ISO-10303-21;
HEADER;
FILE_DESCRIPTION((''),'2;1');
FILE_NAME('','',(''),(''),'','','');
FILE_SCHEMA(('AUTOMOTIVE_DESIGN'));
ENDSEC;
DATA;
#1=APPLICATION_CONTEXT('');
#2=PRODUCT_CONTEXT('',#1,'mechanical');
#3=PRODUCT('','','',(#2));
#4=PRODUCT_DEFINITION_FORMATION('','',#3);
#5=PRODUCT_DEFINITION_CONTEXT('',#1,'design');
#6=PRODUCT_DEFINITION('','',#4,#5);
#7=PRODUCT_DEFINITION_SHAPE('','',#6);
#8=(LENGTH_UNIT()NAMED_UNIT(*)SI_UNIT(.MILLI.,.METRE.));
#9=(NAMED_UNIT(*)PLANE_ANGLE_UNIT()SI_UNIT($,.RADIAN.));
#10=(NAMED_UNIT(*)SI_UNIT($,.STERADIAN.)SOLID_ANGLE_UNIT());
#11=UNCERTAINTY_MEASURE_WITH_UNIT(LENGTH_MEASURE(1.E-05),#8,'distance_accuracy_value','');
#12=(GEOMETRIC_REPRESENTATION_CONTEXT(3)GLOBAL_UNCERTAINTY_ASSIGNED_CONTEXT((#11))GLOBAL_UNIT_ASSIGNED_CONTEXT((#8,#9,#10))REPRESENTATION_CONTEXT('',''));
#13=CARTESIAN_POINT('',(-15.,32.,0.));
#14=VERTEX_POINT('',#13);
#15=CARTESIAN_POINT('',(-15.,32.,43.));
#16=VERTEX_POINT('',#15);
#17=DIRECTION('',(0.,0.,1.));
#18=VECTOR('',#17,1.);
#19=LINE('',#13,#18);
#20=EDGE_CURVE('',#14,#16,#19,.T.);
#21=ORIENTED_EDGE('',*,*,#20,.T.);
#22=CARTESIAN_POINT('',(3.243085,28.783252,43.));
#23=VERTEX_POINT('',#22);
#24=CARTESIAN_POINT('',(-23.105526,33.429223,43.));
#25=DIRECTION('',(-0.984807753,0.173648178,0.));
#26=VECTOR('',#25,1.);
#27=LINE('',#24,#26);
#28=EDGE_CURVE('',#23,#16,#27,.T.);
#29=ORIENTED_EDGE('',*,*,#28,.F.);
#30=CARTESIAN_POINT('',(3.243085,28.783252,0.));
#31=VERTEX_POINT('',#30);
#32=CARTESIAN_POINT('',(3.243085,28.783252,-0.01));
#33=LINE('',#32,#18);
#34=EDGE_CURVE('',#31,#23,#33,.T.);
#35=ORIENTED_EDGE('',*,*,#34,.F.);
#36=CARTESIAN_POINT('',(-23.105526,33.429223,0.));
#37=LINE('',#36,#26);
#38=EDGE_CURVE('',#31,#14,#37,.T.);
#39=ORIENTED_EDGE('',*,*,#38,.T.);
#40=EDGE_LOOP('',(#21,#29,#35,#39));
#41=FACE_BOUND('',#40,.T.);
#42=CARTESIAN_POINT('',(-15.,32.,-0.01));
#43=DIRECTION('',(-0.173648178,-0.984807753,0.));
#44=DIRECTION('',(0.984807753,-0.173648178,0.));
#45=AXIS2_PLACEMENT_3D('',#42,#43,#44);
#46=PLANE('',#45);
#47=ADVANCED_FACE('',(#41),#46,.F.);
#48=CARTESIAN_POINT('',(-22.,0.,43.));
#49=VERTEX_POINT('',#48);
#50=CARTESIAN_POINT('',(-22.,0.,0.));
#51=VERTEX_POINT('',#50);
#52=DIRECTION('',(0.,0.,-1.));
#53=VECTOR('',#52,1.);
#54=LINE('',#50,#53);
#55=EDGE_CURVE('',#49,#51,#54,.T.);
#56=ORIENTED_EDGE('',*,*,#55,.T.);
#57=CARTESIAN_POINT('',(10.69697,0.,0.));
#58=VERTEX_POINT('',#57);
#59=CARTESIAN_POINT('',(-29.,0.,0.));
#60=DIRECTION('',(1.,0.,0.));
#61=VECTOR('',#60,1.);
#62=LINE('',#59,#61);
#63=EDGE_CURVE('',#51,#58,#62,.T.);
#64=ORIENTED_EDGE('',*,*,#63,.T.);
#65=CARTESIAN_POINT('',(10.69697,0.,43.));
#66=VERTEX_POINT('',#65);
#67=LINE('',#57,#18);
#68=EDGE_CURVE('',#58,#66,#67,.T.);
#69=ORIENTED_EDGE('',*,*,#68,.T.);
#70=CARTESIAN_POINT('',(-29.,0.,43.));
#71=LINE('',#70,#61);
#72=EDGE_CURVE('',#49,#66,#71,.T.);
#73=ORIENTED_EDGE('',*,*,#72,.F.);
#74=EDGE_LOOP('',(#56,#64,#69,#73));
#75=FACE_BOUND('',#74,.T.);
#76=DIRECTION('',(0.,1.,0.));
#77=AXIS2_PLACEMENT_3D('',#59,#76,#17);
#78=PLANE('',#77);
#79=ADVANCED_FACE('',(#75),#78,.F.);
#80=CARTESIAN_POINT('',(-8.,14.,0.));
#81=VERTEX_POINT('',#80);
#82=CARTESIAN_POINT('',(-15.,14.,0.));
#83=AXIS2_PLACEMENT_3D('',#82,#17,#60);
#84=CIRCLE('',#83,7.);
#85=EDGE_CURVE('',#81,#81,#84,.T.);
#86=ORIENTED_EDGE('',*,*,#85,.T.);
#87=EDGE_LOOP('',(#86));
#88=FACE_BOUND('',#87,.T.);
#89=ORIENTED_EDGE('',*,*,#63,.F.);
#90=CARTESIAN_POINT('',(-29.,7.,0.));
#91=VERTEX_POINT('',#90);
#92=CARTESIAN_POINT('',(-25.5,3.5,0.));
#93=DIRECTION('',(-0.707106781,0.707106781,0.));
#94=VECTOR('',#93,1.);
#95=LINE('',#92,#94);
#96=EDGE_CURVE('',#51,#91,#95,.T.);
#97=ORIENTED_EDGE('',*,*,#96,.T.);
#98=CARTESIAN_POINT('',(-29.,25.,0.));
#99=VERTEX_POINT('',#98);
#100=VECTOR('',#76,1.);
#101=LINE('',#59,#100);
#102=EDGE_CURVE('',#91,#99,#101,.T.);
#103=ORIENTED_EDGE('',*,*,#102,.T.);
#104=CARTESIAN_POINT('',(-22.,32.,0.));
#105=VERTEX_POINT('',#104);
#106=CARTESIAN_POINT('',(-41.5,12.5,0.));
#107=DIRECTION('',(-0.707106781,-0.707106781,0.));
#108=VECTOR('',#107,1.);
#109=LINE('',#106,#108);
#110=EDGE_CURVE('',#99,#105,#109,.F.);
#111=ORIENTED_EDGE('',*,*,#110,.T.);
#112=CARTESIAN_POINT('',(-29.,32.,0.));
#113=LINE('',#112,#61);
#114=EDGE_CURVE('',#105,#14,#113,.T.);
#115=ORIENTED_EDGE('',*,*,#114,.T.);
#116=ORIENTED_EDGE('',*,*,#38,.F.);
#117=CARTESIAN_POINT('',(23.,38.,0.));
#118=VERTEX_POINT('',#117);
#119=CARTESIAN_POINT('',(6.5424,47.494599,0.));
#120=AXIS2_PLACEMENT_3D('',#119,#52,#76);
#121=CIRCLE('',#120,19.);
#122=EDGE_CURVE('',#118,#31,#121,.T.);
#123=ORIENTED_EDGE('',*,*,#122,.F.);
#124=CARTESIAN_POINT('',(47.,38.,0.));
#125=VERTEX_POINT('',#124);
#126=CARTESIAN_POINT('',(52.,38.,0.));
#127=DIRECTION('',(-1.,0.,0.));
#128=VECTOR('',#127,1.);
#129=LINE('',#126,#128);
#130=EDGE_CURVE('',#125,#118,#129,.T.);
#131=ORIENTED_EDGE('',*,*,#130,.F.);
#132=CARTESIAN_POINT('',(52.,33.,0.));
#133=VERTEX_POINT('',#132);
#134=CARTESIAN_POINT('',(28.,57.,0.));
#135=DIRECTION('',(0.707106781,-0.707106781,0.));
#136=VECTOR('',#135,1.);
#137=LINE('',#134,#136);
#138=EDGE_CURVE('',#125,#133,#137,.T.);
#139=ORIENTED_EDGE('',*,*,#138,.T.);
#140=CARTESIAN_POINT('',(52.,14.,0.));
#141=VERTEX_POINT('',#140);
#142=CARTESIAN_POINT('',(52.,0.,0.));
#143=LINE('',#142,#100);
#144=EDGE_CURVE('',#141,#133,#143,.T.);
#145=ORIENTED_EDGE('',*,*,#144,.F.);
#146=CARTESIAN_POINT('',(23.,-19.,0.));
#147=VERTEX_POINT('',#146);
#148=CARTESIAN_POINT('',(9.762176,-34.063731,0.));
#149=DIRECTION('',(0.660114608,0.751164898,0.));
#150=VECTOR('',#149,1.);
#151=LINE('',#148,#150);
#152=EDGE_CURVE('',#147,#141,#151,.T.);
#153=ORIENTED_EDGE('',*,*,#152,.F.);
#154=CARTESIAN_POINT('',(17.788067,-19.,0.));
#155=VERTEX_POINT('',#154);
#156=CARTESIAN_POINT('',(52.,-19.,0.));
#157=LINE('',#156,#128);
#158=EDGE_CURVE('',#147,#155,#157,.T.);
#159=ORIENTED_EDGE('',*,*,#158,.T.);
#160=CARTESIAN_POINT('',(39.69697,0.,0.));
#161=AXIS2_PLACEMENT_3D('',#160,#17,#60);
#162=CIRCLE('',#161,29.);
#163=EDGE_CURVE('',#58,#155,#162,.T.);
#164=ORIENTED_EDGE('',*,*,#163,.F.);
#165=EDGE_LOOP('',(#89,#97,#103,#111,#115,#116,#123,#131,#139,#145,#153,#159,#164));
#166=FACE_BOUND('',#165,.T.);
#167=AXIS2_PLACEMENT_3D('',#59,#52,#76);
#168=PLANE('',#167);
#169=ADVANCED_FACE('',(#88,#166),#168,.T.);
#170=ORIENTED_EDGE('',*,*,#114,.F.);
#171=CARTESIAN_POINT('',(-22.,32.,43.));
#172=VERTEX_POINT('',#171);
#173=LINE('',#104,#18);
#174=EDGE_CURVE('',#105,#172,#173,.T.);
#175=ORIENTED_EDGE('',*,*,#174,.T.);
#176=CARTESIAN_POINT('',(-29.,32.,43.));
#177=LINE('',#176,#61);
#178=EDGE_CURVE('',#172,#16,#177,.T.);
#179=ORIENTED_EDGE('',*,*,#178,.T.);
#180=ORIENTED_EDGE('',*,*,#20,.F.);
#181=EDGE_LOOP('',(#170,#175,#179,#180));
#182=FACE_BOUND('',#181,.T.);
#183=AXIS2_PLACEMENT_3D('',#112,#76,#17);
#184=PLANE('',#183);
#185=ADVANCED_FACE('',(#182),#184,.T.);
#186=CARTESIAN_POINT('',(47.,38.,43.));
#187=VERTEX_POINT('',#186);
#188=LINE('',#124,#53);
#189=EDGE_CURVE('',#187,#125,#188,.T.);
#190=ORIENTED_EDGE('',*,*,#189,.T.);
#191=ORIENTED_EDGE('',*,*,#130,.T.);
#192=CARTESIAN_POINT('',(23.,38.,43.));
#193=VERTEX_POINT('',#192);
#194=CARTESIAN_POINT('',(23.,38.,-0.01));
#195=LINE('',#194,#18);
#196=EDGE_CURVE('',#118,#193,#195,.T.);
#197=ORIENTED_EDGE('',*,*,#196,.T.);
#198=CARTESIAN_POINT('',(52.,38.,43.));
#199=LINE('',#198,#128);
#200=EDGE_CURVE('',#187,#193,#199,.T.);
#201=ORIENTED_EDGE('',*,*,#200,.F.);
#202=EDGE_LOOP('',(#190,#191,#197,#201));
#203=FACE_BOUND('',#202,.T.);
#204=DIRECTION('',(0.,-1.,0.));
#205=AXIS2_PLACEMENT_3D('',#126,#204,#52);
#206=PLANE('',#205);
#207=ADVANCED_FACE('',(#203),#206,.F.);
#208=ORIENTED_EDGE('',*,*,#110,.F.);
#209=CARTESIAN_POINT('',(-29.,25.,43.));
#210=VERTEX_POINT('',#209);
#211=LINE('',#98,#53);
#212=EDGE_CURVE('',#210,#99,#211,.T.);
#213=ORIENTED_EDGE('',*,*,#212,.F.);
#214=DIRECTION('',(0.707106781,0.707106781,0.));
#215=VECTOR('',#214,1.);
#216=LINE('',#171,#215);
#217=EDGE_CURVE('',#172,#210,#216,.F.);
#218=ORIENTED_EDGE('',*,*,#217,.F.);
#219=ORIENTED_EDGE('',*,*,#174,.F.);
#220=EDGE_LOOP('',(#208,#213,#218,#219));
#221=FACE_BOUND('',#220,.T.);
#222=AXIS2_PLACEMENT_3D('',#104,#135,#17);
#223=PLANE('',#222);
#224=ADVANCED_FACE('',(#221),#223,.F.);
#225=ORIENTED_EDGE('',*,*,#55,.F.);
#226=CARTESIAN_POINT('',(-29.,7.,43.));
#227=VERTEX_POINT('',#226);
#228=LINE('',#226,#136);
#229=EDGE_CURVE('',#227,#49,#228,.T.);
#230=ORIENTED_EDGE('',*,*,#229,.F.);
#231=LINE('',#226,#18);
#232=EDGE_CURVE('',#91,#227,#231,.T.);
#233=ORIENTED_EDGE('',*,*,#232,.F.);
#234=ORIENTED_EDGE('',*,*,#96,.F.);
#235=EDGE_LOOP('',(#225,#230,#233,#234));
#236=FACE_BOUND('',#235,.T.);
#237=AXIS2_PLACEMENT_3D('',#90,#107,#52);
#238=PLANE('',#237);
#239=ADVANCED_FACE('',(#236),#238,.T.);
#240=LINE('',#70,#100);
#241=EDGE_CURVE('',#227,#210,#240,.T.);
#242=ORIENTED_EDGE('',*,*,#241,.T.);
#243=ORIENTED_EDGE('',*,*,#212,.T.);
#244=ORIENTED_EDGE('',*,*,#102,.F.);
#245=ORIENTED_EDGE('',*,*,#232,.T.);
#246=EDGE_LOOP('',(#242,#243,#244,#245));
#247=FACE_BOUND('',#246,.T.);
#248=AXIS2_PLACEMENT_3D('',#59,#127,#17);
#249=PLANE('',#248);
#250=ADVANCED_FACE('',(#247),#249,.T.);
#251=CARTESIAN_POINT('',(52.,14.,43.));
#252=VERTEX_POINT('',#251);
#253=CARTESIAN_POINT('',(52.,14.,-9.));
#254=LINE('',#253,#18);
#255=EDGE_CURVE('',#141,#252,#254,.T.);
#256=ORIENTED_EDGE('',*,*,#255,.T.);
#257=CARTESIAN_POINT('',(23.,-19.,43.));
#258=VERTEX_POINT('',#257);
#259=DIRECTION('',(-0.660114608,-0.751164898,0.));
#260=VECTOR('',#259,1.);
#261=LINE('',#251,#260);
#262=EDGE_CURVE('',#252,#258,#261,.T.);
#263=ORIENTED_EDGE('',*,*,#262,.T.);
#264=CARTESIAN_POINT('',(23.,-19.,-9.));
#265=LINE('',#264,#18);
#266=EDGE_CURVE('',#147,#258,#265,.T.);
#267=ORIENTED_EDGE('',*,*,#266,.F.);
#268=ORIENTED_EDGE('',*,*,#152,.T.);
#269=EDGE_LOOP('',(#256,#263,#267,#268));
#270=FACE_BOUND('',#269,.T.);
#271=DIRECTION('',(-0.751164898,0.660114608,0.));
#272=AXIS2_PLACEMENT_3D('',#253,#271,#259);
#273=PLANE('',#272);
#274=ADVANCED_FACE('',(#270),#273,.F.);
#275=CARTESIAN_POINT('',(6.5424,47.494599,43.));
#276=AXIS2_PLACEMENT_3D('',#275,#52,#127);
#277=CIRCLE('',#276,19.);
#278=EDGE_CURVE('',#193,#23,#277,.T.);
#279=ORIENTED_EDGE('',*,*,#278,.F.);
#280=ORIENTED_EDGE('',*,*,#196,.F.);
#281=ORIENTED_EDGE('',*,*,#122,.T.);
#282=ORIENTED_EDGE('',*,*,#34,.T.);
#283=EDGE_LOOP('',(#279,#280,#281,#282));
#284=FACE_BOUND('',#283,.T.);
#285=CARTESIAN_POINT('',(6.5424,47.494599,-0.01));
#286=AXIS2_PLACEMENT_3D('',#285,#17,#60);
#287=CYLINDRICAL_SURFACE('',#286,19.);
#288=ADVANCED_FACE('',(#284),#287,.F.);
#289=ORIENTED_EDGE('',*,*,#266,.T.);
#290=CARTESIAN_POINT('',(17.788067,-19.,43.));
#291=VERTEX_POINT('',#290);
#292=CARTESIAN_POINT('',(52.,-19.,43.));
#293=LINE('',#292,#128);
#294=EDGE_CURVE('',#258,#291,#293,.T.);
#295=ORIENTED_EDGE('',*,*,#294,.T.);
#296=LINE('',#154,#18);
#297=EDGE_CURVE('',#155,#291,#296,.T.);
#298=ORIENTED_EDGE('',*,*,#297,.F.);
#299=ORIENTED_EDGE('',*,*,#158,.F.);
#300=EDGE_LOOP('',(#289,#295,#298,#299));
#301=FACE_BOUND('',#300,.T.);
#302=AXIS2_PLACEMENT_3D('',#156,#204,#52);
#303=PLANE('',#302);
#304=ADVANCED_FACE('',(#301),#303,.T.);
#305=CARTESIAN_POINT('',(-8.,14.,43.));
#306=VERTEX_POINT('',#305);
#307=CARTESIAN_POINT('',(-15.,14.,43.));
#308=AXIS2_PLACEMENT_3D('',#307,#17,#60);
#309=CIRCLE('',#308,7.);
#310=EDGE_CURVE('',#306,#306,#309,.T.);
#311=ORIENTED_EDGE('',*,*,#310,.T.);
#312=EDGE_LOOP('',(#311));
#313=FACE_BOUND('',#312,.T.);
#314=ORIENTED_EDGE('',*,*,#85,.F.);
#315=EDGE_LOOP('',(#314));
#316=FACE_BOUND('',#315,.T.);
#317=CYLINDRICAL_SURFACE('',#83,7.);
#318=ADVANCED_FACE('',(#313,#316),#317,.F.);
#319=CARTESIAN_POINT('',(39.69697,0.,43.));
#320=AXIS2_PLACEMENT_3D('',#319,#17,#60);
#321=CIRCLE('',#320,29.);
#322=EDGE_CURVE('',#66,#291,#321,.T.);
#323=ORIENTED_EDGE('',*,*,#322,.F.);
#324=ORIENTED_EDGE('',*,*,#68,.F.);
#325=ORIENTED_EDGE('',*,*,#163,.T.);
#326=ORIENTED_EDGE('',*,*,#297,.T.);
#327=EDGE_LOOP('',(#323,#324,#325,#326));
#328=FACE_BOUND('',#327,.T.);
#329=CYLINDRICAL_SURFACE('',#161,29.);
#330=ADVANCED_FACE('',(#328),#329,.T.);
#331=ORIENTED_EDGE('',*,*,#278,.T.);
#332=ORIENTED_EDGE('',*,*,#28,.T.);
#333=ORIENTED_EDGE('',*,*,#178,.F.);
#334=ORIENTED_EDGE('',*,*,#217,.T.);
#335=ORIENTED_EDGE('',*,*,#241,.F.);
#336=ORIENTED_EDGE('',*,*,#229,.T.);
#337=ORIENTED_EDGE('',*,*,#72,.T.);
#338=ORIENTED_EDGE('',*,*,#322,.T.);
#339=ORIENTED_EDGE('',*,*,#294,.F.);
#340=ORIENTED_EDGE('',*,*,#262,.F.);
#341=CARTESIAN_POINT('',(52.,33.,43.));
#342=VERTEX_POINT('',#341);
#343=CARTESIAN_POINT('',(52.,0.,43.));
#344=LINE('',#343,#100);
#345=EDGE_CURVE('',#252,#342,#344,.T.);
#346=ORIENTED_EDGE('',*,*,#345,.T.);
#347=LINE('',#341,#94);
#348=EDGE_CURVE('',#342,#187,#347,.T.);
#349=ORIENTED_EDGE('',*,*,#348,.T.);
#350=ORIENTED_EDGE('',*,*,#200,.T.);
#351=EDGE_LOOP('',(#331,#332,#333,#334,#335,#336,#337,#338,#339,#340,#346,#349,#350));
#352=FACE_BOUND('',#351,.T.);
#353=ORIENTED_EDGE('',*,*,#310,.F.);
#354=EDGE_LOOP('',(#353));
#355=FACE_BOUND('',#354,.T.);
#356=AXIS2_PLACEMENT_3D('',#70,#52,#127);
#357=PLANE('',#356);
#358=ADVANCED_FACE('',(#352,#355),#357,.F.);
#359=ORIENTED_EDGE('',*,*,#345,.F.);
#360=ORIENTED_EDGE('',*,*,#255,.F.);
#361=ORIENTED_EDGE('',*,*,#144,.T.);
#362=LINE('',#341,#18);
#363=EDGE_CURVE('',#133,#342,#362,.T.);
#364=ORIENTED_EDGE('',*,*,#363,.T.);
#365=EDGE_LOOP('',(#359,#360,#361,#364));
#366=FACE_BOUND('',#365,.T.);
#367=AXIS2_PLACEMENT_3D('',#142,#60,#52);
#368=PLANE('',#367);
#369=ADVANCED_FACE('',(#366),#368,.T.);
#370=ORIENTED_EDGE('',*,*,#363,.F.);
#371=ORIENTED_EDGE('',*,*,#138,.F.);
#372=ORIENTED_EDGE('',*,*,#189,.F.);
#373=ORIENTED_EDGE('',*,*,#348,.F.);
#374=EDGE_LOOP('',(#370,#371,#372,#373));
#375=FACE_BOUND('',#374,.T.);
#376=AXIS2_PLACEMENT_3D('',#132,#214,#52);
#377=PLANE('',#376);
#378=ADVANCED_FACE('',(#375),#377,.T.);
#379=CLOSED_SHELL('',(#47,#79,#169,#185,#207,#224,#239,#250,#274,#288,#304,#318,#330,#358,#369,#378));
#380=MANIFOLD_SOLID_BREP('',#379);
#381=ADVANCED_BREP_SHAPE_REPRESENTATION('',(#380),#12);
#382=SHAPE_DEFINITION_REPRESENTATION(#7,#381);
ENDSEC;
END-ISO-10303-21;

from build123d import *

# Parameters (mm, degrees)
SKETCH1_W              = 43
SKETCH1_H              = 32
BOSS_EXTRUDE1_DEPTH    = 29
SKETCH2_W              = 43
SKETCH2_H              = 38
SKETCH2_H_2            = 19
BOSS_EXTRUDE2_DEPTH    = 52
CHAMFER1_SIZE          = 7
SKETCH3_R              = 7
CUT_EXTRUDE1_DEPTH     = 78.440299586
CHAMFER2_SIZE          = 5
SPLIT1_SURFACE_1_BACK  = 108.977
SPLIT1_SURFACE_1_DEPTH = 217.954
CUT_EXTRUDE2_DEPTH     = 52
CUT_EXTRUDE7_DEPTH     = 78.440299586


with BuildPart() as part:
    # Sketch1 → Boss-Extrude1 (new body)
    with BuildSketch(Plane(origin=(0, 0, 0), x_dir=(0, 0, -1), z_dir=(1, 0, 0))):
        with Locations((-21.5, 16)):
            Rectangle(SKETCH1_W, SKETCH1_H)
    extrude(amount=-BOSS_EXTRUDE1_DEPTH)

    # Sketch2 → Boss-Extrude2 (add)
    with BuildSketch(Plane(origin=(0, 0, 0), x_dir=(0, 0, -1), z_dir=(1, 0, 0))):
        with Locations((-21.5, 19)):
            Rectangle(SKETCH2_W, SKETCH2_H)
        with Locations((-21.5, -9.5)):
            Rectangle(SKETCH2_W, SKETCH2_H_2)
    extrude(amount=BOSS_EXTRUDE2_DEPTH)

    # Chamfer1
    chamfer1_edges = [part.edges().sort_by_distance(p)[0] for p in [
        (-29, 0, 21.5),
        (-29, 32, 21.5),
    ]]
    chamfer(chamfer1_edges, length=CHAMFER1_SIZE)

    # Sketch3 → Cut-Extrude1 (cut, through all)
    with BuildSketch(Plane.XY.offset(43)):
        with Locations((-15, 14)):
            Circle(SKETCH3_R)
    extrude(amount=-CUT_EXTRUDE1_DEPTH, mode=Mode.SUBTRACT)

    # Chamfer2
    chamfer2_edges = [part.edges().sort_by_distance(p)[0] for p in [
        (52, 38, 21.5),
    ]]
    chamfer(chamfer2_edges, length=CHAMFER2_SIZE)

    # Split1: cut with a surface, the side behind it stays
    # Split1 surface: a surface, the sketch's curves swept straight by 217.954 mm
    with BuildLine(Plane.XY.offset(-SPLIT1_SURFACE_1_BACK), mode=Mode.PRIVATE) as split1_surface_1_path:
        Line((-15, 32), (3.243084988, 28.783251905))
        ThreePointArc((3.243084988, 28.783251905), (14.574972961, 30.276069151), (23, 38))
    split1_surface_1 = Shell.extrude(split1_surface_1_path.wire(), (0 * SPLIT1_SURFACE_1_DEPTH, 0 * SPLIT1_SURFACE_1_DEPTH, 1 * SPLIT1_SURFACE_1_DEPTH))
    split(bisect_by=split1_surface_1, keep=Keep.BOTTOM)

    # Sketch6 → Cut-Extrude2 (cut)
    with BuildSketch(Plane.XY.offset(43)):
        Polygon((52, -19), (52, 14), (23, -19), align=None)
    extrude(amount=-CUT_EXTRUDE2_DEPTH, mode=Mode.SUBTRACT)

    # Sketch7 → Cut-Extrude7 (cut, through all)
    with BuildSketch(Plane.XY.offset(43)):
        with BuildLine():
            ThreePointArc((17.788067397, -19), (12.527518408, -10.140064923), (10.696969697, 0))
            Line((10.696969697, 0), (0, 0))
            Line((0, 0), (0, -19))
            Line((0, -19), (17.788067397, -19))
        make_face()
    extrude(amount=-CUT_EXTRUDE7_DEPTH, mode=Mode.SUBTRACT)


solid = part.part
